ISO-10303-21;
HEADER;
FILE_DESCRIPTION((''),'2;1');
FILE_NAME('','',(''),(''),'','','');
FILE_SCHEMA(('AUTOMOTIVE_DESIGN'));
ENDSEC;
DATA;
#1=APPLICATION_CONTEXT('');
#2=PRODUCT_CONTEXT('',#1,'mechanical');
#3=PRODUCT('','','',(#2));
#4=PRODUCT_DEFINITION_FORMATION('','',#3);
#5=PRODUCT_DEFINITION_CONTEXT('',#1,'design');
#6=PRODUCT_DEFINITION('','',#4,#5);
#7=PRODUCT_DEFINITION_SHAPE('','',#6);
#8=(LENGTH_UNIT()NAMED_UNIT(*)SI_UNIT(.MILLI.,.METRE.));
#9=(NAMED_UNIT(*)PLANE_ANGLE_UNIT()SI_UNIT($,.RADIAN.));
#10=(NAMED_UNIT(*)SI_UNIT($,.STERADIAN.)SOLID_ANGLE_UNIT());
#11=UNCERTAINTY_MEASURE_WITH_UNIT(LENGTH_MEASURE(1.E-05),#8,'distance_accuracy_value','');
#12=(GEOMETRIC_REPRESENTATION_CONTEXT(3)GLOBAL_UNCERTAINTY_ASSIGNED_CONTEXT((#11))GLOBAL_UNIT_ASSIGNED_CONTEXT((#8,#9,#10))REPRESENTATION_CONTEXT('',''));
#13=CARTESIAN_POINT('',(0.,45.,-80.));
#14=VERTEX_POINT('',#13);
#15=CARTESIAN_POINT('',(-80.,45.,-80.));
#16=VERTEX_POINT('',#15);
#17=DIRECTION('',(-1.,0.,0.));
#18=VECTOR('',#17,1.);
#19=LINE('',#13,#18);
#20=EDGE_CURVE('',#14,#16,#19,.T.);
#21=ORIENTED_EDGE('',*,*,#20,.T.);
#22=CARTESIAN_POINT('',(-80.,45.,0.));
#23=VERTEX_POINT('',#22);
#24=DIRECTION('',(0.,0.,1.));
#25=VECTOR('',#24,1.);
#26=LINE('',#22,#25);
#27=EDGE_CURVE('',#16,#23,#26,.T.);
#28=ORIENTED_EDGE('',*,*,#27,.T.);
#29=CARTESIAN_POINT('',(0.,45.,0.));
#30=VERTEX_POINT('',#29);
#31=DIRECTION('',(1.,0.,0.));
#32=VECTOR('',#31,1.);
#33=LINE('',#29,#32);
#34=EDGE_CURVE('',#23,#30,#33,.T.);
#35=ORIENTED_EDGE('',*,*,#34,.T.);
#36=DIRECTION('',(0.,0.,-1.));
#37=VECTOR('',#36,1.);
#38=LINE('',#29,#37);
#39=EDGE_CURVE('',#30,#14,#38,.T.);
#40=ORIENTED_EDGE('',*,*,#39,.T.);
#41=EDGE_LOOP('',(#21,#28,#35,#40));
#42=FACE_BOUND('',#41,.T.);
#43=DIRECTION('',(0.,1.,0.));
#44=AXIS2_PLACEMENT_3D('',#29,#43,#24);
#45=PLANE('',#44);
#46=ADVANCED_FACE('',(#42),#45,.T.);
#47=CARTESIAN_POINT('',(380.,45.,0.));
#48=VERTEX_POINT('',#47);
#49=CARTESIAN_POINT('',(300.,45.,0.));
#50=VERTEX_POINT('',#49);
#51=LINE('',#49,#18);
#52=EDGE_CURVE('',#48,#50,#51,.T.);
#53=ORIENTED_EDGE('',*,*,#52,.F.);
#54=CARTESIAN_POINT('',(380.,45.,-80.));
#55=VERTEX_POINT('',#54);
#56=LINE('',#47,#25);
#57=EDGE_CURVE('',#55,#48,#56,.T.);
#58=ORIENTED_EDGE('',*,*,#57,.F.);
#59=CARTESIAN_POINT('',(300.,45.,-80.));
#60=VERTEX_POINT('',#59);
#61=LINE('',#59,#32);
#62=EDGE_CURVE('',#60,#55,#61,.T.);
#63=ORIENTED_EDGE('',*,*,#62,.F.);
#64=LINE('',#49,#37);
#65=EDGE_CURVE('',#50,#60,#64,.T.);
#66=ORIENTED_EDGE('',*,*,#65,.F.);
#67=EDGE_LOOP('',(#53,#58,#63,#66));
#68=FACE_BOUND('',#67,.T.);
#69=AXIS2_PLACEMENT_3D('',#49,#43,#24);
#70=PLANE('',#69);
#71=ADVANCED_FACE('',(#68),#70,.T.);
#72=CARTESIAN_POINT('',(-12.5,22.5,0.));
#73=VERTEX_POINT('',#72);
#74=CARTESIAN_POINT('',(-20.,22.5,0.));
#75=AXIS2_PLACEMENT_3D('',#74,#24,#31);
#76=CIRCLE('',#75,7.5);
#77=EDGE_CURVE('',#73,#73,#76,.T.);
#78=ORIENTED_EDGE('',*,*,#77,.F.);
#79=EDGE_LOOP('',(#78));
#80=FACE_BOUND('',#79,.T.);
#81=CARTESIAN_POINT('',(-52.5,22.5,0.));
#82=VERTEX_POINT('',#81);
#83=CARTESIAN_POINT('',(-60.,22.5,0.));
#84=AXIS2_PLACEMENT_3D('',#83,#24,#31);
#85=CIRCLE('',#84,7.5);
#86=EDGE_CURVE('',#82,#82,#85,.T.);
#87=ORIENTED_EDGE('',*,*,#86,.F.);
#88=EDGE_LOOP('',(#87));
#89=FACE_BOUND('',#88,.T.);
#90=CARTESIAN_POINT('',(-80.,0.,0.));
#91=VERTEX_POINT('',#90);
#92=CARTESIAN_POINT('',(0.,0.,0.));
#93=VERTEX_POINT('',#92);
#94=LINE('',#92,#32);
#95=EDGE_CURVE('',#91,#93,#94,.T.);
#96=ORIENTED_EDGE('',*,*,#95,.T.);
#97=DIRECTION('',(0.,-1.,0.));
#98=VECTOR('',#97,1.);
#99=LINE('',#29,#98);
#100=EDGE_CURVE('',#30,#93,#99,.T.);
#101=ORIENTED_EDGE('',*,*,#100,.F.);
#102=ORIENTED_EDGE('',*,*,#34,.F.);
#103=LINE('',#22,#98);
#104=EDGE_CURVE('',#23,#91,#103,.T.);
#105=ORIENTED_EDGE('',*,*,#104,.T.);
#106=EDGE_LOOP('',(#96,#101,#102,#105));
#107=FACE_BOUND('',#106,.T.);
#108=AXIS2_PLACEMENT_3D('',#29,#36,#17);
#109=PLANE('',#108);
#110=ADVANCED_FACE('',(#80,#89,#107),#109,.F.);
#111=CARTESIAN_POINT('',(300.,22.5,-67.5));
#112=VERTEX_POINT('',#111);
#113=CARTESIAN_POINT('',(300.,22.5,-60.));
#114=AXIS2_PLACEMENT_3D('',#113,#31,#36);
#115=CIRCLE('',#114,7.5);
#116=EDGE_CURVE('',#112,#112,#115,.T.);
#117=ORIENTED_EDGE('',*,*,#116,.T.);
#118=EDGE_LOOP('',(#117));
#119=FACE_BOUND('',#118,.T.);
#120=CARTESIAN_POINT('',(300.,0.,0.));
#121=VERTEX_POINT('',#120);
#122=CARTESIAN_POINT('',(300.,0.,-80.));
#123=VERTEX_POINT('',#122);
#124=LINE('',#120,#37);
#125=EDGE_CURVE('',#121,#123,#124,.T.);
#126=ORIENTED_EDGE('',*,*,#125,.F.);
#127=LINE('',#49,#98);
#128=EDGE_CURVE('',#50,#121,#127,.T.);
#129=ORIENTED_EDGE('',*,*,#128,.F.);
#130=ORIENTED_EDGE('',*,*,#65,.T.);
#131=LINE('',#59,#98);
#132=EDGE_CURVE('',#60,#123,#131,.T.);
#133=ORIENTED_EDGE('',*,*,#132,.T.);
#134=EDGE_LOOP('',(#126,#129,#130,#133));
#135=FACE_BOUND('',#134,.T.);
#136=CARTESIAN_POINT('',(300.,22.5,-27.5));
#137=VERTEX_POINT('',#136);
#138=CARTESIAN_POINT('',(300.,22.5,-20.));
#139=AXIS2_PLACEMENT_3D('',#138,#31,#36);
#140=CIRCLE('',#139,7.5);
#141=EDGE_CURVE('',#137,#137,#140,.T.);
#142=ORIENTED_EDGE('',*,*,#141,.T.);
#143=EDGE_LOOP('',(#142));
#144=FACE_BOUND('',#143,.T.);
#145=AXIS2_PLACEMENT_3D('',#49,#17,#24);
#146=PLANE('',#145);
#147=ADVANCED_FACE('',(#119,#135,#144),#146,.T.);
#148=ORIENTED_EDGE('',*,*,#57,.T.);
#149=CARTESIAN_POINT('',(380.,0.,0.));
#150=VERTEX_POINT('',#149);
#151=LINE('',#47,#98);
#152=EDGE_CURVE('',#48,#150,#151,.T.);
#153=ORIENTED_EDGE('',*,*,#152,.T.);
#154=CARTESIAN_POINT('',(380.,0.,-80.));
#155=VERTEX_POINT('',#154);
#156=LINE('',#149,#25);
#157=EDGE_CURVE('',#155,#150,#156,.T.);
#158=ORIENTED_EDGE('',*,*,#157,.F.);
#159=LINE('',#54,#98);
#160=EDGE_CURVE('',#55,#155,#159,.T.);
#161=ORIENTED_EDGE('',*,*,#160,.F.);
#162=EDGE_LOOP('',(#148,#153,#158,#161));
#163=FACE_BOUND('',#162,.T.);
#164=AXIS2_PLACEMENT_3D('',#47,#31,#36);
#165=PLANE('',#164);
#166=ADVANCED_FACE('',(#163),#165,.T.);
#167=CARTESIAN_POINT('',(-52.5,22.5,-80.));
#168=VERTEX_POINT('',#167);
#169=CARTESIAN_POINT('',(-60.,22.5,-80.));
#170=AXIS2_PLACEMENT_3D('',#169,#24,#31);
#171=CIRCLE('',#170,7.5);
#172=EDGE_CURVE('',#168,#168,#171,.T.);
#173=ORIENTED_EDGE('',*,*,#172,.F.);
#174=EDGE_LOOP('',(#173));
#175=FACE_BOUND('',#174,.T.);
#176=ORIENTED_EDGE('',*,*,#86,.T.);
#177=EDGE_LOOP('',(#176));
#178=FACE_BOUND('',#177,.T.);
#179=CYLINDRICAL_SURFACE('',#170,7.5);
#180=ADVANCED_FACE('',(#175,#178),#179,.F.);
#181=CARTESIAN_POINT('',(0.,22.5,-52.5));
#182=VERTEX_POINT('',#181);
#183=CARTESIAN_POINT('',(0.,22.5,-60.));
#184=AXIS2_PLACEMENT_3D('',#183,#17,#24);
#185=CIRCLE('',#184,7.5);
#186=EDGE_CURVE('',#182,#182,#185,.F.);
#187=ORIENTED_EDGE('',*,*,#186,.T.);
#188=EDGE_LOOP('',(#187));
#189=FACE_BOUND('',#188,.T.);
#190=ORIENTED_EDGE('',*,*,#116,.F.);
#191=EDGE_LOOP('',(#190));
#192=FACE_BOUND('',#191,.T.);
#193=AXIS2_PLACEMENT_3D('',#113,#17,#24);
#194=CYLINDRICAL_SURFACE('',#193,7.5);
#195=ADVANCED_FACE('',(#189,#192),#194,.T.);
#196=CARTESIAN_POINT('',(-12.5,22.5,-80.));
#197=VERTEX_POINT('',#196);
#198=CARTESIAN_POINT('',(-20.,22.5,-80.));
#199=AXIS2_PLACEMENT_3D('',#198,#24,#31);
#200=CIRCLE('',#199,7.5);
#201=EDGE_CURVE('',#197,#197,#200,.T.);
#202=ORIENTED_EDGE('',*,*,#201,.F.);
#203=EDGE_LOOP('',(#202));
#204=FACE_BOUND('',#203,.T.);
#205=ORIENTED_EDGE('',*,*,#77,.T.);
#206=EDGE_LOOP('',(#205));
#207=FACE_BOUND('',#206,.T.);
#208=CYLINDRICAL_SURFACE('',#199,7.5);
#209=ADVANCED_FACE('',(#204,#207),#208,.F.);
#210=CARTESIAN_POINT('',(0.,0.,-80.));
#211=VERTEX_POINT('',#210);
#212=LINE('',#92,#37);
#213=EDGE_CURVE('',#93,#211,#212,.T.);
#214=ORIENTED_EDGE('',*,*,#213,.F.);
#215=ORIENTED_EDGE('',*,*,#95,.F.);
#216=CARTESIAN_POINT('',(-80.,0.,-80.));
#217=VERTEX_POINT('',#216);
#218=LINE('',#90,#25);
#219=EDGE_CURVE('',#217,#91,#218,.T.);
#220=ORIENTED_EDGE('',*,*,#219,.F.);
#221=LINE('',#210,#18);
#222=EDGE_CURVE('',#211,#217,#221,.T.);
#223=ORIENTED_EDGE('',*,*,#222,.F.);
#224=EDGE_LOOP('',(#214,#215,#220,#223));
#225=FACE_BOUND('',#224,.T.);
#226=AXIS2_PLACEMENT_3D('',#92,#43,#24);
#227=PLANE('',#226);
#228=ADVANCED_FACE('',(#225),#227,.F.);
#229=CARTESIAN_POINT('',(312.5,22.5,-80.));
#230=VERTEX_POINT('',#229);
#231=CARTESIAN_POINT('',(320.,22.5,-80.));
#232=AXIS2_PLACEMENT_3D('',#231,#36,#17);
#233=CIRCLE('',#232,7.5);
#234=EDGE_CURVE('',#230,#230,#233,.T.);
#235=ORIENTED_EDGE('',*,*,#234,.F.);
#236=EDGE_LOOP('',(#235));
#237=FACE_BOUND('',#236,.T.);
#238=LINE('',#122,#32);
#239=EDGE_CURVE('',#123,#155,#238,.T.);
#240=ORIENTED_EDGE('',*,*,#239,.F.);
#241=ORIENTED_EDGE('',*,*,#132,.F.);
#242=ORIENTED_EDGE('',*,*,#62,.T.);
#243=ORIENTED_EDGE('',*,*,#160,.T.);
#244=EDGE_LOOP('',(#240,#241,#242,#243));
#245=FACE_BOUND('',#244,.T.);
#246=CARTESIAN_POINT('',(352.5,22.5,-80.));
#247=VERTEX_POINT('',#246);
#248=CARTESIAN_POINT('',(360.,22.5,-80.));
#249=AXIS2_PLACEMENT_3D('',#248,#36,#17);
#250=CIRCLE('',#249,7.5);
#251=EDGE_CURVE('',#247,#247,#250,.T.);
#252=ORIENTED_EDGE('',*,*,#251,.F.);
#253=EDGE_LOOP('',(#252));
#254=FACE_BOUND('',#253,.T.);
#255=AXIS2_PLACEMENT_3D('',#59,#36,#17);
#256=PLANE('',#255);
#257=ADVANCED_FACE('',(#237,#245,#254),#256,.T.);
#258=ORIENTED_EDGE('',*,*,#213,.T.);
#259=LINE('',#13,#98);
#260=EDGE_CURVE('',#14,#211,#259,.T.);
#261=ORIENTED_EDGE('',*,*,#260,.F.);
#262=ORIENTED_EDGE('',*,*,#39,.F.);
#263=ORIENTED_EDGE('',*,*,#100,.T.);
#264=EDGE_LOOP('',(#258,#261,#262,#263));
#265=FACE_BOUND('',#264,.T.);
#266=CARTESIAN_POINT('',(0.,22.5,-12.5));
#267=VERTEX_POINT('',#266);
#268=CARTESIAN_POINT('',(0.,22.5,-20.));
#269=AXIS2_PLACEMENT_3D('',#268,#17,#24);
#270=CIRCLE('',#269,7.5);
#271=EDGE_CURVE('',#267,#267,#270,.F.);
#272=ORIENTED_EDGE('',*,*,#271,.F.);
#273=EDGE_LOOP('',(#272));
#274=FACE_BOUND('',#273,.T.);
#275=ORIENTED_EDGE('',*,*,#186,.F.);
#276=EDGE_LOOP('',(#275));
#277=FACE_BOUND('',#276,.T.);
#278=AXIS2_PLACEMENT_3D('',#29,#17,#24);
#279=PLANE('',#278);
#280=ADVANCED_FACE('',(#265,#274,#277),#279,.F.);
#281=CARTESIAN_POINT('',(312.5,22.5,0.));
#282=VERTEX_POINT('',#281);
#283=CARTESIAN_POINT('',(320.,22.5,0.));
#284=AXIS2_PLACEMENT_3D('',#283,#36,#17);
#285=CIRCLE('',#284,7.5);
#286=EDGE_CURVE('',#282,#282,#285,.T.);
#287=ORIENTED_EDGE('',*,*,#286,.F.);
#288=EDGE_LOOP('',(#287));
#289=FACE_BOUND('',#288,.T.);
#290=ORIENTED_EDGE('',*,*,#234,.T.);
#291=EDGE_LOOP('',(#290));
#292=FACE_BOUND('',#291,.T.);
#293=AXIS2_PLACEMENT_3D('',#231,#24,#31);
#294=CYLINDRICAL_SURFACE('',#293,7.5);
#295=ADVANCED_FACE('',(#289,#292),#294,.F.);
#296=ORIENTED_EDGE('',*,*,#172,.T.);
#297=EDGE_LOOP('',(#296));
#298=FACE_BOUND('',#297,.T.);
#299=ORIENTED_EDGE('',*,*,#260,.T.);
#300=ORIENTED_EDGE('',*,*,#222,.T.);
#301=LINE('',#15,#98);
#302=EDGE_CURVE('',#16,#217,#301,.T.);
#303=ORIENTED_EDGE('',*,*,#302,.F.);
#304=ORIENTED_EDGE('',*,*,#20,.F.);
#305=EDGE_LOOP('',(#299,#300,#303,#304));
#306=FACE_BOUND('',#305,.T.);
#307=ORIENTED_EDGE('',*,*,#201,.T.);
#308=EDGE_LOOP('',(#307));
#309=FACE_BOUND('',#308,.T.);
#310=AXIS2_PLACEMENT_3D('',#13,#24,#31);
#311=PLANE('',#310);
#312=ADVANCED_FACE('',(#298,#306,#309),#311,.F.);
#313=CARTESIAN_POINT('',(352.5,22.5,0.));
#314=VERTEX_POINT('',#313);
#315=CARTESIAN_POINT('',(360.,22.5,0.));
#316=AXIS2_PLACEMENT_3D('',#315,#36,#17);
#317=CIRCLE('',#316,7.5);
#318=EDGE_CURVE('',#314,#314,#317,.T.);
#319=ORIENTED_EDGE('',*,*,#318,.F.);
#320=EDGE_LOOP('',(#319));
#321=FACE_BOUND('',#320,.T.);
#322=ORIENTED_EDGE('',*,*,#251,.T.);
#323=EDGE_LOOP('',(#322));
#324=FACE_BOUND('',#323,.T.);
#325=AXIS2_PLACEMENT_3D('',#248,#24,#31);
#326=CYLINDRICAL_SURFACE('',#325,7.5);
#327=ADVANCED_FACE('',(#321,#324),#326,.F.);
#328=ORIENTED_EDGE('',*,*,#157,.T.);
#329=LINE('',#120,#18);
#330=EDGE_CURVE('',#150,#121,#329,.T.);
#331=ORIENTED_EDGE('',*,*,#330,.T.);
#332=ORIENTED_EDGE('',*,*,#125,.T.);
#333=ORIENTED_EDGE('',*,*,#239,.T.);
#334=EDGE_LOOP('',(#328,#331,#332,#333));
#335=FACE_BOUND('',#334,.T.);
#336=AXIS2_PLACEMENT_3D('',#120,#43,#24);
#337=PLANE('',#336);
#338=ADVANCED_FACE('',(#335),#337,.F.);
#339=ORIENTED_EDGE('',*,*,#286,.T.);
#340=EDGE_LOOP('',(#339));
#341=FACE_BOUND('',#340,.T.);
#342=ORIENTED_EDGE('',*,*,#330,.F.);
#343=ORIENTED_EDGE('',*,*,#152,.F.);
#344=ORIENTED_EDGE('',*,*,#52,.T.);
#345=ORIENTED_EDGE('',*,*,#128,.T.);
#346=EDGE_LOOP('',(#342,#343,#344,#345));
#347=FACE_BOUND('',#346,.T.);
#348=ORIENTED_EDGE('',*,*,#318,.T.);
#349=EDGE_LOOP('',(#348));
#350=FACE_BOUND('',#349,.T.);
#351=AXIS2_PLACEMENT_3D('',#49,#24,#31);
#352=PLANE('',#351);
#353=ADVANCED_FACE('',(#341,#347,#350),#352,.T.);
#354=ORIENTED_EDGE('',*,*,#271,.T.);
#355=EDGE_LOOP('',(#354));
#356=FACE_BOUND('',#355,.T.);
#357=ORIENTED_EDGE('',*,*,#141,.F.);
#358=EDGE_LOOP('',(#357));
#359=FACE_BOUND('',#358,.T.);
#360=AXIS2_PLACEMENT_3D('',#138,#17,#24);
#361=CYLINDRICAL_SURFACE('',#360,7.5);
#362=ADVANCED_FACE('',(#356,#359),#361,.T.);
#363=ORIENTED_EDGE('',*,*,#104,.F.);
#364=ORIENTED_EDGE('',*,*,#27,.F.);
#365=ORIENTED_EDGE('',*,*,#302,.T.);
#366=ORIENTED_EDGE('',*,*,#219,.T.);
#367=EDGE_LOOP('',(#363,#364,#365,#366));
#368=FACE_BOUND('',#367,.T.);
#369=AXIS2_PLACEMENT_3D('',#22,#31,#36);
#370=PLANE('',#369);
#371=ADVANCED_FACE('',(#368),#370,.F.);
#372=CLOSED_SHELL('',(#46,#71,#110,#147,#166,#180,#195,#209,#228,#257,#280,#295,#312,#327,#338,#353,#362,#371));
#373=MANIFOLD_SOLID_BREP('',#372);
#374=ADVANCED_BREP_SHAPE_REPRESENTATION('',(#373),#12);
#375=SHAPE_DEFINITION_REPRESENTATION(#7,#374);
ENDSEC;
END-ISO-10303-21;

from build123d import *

# Parameters (mm, degrees)
SKETCH1_W           = 80
SKETCH1_H           = 80
BOSS_EXTRUDE1_DEPTH = 45
SKETCH2_R           = 7.5
CUT_EXTRUDE1_DEPTH  = 122.757956619
SKETCH3_R           = 7.5
BOSS_EXTRUDE2_DEPTH = 300


with BuildPart() as part:
    # Sketch1 → Boss-Extrude1 (new body)
    with BuildSketch(Plane(origin=(0, 0, 0), x_dir=(1, 0, 0), z_dir=(0, 1, 0))):
        with Locations((-40, 40)):
            Rectangle(SKETCH1_W, SKETCH1_H)
    boss_extrude1 = extrude(amount=BOSS_EXTRUDE1_DEPTH)

    # Sketch2 → Cut-Extrude1 (cut, through all)
    with BuildSketch(Plane.XY):
        with Locations((-60, 22.5)):
            Circle(SKETCH2_R)
        with Locations((-20, 22.5)):
            Circle(SKETCH2_R)
    cut_extrude1 = extrude(amount=-CUT_EXTRUDE1_DEPTH, mode=Mode.SUBTRACT)

    # Sketch3 → Boss-Extrude2 (add)
    with BuildSketch(Plane(origin=(0, 0, 0), x_dir=(0, 0, -1), z_dir=(1, 0, 0))):
        with Locations(Location((20, 22.5, 0), (0, 0, 180))):
            Circle(SKETCH3_R)
        with Locations(Location((60, 22.5, 0), (0, 0, 180))):
            Circle(SKETCH3_R)
    extrude(amount=BOSS_EXTRUDE2_DEPTH)

    # Mirror3: Boss-Extrude1, Cut-Extrude1 across plane
    add(boss_extrude1.mirror(Plane(origin=(150, 0, 0), x_dir=(0, 0, 1), z_dir=(1, 0, 0))))
    add(cut_extrude1.mirror(Plane(origin=(150, 0, 0), x_dir=(0, 0, 1), z_dir=(1, 0, 0))), mode=Mode.SUBTRACT)


solid = part.part
